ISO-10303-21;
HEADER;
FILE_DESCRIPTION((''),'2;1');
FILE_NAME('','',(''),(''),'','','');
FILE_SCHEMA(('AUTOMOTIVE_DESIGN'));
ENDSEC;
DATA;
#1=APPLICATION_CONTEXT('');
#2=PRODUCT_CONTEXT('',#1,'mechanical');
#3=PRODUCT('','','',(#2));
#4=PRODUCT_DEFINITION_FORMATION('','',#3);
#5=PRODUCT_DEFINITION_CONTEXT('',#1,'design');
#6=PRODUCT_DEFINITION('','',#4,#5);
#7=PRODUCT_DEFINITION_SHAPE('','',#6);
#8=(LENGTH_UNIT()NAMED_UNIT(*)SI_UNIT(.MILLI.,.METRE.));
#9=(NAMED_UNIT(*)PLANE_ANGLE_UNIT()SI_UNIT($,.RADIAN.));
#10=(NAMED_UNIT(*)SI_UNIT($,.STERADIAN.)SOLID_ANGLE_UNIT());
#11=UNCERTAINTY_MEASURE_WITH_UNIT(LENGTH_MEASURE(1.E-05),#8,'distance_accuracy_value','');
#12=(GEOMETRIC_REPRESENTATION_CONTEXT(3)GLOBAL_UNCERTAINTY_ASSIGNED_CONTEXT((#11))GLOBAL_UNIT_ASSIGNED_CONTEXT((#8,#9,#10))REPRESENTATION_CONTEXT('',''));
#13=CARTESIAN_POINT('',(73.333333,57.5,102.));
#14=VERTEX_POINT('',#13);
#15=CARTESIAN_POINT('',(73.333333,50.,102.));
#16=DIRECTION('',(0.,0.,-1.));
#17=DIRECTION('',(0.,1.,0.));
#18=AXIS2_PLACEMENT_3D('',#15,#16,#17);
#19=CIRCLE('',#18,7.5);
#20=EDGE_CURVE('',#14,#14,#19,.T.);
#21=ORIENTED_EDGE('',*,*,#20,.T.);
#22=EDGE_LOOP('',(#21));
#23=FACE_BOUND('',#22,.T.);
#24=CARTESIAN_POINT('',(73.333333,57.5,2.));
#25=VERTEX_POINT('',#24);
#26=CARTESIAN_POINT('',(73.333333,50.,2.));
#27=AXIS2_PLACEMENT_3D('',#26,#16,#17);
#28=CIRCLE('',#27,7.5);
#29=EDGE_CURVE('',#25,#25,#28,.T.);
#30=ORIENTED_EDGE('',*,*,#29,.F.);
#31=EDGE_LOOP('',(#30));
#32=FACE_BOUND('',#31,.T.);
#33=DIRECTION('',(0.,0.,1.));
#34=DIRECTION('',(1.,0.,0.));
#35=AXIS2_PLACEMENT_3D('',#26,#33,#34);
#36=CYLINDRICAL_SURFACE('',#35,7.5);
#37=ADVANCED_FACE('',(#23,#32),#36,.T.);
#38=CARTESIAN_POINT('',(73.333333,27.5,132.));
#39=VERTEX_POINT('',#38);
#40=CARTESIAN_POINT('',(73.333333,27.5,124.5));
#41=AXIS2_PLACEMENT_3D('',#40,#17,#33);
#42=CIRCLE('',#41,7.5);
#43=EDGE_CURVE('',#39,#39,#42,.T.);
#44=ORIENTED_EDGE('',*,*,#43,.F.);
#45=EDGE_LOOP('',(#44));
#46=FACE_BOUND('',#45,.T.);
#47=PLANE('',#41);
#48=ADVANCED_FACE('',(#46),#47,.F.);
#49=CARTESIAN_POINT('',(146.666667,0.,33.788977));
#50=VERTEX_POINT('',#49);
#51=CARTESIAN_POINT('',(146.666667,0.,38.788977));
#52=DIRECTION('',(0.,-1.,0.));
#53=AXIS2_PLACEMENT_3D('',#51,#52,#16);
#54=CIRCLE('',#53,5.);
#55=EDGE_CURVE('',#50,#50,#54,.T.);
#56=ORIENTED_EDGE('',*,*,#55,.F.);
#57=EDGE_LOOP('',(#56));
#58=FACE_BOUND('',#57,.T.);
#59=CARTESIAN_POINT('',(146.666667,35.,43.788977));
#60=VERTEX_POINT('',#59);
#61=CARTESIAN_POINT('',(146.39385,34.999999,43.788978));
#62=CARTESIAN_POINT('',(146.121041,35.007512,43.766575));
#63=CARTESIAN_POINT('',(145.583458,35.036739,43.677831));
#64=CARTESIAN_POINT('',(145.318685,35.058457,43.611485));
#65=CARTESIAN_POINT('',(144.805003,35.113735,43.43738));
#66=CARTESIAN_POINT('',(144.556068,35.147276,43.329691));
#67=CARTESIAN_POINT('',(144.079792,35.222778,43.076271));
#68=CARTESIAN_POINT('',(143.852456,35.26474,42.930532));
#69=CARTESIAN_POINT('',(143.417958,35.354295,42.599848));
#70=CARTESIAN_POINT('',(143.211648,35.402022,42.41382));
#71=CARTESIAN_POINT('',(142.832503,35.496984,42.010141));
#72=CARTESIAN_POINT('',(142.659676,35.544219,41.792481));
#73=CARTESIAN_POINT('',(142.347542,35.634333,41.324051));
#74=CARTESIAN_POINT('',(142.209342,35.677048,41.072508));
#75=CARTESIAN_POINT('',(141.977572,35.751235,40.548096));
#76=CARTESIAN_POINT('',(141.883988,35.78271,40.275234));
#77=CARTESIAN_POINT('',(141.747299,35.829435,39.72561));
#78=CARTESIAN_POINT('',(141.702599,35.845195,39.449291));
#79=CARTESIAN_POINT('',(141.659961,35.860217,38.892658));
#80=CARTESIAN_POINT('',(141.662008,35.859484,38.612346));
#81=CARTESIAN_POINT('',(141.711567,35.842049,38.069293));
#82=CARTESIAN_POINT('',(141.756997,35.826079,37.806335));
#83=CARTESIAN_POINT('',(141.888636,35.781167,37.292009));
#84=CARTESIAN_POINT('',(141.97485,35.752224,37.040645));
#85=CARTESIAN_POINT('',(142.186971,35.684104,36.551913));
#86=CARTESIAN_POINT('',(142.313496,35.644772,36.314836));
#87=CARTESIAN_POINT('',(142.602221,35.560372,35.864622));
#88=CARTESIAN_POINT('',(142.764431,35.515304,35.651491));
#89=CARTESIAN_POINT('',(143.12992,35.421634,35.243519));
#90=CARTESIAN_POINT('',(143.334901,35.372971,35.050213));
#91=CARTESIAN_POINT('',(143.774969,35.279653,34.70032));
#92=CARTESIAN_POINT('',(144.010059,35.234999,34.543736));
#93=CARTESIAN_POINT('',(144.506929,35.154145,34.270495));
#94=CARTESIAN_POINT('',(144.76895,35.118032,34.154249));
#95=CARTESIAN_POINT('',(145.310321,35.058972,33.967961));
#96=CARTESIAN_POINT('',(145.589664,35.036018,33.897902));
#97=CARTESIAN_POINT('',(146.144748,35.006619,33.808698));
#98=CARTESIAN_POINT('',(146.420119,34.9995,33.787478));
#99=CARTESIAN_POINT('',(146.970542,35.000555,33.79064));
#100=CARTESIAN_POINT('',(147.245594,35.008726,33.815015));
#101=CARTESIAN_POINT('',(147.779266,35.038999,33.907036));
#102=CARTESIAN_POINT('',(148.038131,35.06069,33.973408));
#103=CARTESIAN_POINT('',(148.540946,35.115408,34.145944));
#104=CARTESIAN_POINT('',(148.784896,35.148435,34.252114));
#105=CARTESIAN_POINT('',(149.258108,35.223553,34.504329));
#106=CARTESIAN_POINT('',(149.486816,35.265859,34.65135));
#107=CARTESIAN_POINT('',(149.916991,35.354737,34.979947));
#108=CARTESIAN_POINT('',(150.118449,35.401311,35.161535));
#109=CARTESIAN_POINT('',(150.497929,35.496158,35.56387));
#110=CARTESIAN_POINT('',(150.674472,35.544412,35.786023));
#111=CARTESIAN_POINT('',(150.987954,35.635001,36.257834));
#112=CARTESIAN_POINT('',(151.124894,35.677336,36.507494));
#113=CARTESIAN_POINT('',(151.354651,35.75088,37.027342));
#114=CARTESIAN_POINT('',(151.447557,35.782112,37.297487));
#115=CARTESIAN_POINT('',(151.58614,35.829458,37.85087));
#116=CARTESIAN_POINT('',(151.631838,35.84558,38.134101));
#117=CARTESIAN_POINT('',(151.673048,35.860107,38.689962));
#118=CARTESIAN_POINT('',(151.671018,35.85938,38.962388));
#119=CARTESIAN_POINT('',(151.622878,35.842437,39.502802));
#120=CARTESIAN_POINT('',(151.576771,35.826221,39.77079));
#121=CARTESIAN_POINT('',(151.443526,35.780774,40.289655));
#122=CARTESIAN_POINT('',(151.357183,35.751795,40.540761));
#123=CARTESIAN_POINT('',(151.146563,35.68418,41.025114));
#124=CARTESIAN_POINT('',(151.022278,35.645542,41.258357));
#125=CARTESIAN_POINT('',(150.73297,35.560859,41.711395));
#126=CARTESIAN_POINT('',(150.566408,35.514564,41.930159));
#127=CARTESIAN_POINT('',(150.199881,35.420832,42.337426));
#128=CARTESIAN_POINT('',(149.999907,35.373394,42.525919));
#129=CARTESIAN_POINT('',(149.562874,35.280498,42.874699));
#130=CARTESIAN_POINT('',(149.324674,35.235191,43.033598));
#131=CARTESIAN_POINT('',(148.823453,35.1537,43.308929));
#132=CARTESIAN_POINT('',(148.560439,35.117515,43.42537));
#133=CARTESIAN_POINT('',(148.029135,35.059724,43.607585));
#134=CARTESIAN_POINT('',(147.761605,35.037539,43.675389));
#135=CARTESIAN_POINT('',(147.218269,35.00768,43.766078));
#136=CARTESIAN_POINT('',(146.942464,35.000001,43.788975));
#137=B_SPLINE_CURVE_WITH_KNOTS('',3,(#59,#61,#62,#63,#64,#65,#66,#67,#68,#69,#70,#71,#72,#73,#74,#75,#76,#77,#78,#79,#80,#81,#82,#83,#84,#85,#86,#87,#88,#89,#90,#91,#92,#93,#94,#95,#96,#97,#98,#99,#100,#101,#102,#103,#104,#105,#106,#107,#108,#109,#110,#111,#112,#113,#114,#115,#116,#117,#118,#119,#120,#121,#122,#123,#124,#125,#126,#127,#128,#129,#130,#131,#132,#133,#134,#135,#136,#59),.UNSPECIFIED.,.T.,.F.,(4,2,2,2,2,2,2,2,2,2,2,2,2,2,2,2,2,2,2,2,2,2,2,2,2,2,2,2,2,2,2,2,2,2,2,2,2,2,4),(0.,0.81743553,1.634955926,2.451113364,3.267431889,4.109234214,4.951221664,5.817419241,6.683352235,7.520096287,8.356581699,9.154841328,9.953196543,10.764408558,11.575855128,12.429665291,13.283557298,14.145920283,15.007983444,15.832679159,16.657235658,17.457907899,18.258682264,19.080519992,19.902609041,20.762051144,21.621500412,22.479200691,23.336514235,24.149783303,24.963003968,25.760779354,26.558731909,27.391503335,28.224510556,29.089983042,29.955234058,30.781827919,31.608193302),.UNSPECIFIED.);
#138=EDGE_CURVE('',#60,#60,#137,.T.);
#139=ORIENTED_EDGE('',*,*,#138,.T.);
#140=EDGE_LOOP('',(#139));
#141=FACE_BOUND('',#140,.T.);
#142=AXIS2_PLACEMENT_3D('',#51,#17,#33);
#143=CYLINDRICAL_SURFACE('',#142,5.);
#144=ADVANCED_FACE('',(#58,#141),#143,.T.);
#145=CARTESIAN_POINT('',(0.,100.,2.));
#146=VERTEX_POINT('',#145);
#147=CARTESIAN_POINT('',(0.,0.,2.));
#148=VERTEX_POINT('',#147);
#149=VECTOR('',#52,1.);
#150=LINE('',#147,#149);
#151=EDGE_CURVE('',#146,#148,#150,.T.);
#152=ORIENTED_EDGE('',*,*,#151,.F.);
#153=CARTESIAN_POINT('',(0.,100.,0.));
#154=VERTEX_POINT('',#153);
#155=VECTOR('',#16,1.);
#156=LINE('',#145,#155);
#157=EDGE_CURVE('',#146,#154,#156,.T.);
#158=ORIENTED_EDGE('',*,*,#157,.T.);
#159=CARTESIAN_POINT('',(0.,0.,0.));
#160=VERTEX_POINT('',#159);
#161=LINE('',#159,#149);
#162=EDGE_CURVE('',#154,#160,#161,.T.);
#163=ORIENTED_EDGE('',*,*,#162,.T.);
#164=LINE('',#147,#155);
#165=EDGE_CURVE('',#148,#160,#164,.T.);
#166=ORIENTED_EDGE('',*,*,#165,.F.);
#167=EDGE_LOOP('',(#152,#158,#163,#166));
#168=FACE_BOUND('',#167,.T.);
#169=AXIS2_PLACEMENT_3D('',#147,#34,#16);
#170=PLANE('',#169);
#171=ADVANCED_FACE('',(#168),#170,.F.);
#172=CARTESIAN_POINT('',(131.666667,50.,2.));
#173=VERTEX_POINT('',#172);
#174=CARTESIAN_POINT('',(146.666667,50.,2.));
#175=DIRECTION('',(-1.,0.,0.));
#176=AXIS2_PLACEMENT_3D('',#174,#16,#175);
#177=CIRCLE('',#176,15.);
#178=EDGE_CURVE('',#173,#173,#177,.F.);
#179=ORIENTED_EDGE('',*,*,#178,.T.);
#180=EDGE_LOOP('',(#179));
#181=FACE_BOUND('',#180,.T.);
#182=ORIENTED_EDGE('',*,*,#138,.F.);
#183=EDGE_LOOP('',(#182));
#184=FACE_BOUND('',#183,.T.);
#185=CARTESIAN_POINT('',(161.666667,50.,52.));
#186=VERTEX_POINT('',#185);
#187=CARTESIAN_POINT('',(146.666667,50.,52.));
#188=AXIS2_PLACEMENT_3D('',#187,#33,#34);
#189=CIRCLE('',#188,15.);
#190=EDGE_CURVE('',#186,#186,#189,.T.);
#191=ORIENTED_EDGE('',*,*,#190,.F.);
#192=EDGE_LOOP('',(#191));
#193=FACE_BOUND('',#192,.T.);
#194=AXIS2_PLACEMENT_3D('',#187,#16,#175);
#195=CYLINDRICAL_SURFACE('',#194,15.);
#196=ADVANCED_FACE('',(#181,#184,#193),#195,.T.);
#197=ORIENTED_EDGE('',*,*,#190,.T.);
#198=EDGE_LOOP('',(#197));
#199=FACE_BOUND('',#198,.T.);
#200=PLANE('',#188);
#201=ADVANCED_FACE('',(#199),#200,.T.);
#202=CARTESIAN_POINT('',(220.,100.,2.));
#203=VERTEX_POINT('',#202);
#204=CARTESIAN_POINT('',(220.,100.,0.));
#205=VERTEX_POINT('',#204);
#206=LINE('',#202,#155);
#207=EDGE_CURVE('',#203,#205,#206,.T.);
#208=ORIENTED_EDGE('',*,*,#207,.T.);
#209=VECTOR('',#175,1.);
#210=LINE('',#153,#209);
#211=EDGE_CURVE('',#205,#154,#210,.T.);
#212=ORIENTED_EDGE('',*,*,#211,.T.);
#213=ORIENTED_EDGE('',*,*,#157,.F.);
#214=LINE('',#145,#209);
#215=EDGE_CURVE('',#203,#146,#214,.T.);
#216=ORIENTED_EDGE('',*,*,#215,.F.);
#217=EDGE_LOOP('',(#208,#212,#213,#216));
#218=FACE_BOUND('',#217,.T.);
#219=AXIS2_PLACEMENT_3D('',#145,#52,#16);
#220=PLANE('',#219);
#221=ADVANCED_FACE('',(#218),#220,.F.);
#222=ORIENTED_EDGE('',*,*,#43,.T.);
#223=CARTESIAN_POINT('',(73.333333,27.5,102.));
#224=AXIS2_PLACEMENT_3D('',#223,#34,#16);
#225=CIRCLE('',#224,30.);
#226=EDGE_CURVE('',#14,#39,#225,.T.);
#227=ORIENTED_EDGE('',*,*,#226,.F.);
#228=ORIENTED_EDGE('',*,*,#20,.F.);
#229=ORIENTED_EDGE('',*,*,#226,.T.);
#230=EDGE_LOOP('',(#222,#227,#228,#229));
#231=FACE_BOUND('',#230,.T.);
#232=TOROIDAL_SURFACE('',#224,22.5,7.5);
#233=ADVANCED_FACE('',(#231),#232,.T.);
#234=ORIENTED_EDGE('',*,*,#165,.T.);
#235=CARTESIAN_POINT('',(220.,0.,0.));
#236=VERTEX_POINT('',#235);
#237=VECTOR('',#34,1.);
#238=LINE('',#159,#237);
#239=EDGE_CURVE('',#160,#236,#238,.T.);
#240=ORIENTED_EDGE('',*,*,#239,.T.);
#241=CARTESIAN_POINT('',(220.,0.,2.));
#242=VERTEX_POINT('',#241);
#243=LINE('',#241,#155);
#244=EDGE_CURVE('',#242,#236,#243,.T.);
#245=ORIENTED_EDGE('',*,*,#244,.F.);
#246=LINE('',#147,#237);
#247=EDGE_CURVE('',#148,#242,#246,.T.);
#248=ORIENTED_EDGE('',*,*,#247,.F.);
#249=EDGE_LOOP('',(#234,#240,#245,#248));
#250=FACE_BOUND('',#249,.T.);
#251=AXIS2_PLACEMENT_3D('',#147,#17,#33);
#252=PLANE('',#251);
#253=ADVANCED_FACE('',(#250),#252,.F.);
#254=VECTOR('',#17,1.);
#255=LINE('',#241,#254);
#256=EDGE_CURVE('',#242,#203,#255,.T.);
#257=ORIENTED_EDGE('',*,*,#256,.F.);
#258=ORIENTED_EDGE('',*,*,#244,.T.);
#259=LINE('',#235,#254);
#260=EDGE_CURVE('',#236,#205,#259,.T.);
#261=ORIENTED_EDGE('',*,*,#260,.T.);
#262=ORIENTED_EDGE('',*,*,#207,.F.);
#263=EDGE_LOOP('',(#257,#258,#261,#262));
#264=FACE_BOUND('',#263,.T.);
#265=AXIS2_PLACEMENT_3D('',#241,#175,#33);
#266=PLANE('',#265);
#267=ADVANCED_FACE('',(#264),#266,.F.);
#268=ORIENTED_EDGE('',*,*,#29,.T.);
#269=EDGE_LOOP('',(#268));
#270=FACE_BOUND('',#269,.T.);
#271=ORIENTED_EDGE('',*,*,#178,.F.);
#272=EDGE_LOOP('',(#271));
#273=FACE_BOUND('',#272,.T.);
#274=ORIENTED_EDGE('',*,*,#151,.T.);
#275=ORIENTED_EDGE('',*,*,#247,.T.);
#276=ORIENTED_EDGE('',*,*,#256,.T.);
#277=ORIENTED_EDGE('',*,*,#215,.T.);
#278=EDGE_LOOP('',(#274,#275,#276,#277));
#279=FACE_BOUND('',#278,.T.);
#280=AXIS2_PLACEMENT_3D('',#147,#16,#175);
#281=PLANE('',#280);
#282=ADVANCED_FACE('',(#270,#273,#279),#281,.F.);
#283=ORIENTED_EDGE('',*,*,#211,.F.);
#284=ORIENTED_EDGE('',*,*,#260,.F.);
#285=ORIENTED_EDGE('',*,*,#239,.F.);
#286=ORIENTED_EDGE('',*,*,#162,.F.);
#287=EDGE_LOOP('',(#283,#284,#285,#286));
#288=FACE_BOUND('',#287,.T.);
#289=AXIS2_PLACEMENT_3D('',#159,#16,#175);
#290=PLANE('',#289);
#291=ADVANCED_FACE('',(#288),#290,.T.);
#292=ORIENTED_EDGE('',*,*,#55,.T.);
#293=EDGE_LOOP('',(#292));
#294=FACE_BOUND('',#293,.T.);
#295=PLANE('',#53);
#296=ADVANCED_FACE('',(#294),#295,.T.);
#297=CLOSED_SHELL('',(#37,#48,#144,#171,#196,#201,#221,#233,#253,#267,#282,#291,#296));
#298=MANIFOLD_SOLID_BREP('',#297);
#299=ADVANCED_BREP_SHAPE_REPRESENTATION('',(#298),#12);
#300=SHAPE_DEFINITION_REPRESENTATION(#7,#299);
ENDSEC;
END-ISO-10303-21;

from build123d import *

# Parameters (mm, degrees)
SKETCH_1_W        = 220
SKETCH_1_H        = 100
EXTRUDE_1_DEPTH   = 2
SWEEP_1_PROFILE_R = 7.5
SKETCH_15_R       = 15
EXTRUDE_2_DEPTH   = 50
SKETCH_16_R       = 5
EXTRUDE_3_DEPTH   = 50


with BuildPart() as part:
    # Эскиз1 → Бобышка-Вытянуть1 (new body)
    with BuildSketch(Plane.XY):
        with Locations((110, 50)):
            Rectangle(SKETCH_1_W, SKETCH_1_H)
    extrude(amount=EXTRUDE_1_DEPTH)

    # По траектории1: sweep along a curve in space
    with BuildLine() as sweep_1_path:
        Line((73.333333333, 50, 2), (73.333333333, 50, 102))
        ThreePointArc((73.333333333, 50, 102), (73.333333333, 43.409902577, 117.909902577), (73.333333333, 27.5, 124.5))
    # По траектории1 profile (on start of the path) → По траектории1 (sweep)
    with BuildSketch(Plane(origin=(73.333333333, 50, 2), x_dir=(1, 0, 0), z_dir=(0, 0, 1))):
        Circle(SWEEP_1_PROFILE_R)
    sweep(path=sweep_1_path.line)

    # Эскиз15 → Бобышка-Вытянуть2 (add)
    with BuildSketch(Plane.XY.offset(2)):
        with Locations(Location((146.666666667, 50, 0), (0, 0, 180))):
            Circle(SKETCH_15_R)
    extrude(amount=EXTRUDE_2_DEPTH)

    # Эскиз16 → Бобышка-Вытянуть3 (add)
    with BuildSketch(Plane(origin=(0, 50, 0), x_dir=(-1, 0, 0), z_dir=(0, -1, 0))):
        with Locations(Location((-146.666666667, -38.788976591, 0), (0, 0, 270))):
            Circle(SKETCH_16_R)
    extrude(amount=EXTRUDE_3_DEPTH)


solid = part.part
